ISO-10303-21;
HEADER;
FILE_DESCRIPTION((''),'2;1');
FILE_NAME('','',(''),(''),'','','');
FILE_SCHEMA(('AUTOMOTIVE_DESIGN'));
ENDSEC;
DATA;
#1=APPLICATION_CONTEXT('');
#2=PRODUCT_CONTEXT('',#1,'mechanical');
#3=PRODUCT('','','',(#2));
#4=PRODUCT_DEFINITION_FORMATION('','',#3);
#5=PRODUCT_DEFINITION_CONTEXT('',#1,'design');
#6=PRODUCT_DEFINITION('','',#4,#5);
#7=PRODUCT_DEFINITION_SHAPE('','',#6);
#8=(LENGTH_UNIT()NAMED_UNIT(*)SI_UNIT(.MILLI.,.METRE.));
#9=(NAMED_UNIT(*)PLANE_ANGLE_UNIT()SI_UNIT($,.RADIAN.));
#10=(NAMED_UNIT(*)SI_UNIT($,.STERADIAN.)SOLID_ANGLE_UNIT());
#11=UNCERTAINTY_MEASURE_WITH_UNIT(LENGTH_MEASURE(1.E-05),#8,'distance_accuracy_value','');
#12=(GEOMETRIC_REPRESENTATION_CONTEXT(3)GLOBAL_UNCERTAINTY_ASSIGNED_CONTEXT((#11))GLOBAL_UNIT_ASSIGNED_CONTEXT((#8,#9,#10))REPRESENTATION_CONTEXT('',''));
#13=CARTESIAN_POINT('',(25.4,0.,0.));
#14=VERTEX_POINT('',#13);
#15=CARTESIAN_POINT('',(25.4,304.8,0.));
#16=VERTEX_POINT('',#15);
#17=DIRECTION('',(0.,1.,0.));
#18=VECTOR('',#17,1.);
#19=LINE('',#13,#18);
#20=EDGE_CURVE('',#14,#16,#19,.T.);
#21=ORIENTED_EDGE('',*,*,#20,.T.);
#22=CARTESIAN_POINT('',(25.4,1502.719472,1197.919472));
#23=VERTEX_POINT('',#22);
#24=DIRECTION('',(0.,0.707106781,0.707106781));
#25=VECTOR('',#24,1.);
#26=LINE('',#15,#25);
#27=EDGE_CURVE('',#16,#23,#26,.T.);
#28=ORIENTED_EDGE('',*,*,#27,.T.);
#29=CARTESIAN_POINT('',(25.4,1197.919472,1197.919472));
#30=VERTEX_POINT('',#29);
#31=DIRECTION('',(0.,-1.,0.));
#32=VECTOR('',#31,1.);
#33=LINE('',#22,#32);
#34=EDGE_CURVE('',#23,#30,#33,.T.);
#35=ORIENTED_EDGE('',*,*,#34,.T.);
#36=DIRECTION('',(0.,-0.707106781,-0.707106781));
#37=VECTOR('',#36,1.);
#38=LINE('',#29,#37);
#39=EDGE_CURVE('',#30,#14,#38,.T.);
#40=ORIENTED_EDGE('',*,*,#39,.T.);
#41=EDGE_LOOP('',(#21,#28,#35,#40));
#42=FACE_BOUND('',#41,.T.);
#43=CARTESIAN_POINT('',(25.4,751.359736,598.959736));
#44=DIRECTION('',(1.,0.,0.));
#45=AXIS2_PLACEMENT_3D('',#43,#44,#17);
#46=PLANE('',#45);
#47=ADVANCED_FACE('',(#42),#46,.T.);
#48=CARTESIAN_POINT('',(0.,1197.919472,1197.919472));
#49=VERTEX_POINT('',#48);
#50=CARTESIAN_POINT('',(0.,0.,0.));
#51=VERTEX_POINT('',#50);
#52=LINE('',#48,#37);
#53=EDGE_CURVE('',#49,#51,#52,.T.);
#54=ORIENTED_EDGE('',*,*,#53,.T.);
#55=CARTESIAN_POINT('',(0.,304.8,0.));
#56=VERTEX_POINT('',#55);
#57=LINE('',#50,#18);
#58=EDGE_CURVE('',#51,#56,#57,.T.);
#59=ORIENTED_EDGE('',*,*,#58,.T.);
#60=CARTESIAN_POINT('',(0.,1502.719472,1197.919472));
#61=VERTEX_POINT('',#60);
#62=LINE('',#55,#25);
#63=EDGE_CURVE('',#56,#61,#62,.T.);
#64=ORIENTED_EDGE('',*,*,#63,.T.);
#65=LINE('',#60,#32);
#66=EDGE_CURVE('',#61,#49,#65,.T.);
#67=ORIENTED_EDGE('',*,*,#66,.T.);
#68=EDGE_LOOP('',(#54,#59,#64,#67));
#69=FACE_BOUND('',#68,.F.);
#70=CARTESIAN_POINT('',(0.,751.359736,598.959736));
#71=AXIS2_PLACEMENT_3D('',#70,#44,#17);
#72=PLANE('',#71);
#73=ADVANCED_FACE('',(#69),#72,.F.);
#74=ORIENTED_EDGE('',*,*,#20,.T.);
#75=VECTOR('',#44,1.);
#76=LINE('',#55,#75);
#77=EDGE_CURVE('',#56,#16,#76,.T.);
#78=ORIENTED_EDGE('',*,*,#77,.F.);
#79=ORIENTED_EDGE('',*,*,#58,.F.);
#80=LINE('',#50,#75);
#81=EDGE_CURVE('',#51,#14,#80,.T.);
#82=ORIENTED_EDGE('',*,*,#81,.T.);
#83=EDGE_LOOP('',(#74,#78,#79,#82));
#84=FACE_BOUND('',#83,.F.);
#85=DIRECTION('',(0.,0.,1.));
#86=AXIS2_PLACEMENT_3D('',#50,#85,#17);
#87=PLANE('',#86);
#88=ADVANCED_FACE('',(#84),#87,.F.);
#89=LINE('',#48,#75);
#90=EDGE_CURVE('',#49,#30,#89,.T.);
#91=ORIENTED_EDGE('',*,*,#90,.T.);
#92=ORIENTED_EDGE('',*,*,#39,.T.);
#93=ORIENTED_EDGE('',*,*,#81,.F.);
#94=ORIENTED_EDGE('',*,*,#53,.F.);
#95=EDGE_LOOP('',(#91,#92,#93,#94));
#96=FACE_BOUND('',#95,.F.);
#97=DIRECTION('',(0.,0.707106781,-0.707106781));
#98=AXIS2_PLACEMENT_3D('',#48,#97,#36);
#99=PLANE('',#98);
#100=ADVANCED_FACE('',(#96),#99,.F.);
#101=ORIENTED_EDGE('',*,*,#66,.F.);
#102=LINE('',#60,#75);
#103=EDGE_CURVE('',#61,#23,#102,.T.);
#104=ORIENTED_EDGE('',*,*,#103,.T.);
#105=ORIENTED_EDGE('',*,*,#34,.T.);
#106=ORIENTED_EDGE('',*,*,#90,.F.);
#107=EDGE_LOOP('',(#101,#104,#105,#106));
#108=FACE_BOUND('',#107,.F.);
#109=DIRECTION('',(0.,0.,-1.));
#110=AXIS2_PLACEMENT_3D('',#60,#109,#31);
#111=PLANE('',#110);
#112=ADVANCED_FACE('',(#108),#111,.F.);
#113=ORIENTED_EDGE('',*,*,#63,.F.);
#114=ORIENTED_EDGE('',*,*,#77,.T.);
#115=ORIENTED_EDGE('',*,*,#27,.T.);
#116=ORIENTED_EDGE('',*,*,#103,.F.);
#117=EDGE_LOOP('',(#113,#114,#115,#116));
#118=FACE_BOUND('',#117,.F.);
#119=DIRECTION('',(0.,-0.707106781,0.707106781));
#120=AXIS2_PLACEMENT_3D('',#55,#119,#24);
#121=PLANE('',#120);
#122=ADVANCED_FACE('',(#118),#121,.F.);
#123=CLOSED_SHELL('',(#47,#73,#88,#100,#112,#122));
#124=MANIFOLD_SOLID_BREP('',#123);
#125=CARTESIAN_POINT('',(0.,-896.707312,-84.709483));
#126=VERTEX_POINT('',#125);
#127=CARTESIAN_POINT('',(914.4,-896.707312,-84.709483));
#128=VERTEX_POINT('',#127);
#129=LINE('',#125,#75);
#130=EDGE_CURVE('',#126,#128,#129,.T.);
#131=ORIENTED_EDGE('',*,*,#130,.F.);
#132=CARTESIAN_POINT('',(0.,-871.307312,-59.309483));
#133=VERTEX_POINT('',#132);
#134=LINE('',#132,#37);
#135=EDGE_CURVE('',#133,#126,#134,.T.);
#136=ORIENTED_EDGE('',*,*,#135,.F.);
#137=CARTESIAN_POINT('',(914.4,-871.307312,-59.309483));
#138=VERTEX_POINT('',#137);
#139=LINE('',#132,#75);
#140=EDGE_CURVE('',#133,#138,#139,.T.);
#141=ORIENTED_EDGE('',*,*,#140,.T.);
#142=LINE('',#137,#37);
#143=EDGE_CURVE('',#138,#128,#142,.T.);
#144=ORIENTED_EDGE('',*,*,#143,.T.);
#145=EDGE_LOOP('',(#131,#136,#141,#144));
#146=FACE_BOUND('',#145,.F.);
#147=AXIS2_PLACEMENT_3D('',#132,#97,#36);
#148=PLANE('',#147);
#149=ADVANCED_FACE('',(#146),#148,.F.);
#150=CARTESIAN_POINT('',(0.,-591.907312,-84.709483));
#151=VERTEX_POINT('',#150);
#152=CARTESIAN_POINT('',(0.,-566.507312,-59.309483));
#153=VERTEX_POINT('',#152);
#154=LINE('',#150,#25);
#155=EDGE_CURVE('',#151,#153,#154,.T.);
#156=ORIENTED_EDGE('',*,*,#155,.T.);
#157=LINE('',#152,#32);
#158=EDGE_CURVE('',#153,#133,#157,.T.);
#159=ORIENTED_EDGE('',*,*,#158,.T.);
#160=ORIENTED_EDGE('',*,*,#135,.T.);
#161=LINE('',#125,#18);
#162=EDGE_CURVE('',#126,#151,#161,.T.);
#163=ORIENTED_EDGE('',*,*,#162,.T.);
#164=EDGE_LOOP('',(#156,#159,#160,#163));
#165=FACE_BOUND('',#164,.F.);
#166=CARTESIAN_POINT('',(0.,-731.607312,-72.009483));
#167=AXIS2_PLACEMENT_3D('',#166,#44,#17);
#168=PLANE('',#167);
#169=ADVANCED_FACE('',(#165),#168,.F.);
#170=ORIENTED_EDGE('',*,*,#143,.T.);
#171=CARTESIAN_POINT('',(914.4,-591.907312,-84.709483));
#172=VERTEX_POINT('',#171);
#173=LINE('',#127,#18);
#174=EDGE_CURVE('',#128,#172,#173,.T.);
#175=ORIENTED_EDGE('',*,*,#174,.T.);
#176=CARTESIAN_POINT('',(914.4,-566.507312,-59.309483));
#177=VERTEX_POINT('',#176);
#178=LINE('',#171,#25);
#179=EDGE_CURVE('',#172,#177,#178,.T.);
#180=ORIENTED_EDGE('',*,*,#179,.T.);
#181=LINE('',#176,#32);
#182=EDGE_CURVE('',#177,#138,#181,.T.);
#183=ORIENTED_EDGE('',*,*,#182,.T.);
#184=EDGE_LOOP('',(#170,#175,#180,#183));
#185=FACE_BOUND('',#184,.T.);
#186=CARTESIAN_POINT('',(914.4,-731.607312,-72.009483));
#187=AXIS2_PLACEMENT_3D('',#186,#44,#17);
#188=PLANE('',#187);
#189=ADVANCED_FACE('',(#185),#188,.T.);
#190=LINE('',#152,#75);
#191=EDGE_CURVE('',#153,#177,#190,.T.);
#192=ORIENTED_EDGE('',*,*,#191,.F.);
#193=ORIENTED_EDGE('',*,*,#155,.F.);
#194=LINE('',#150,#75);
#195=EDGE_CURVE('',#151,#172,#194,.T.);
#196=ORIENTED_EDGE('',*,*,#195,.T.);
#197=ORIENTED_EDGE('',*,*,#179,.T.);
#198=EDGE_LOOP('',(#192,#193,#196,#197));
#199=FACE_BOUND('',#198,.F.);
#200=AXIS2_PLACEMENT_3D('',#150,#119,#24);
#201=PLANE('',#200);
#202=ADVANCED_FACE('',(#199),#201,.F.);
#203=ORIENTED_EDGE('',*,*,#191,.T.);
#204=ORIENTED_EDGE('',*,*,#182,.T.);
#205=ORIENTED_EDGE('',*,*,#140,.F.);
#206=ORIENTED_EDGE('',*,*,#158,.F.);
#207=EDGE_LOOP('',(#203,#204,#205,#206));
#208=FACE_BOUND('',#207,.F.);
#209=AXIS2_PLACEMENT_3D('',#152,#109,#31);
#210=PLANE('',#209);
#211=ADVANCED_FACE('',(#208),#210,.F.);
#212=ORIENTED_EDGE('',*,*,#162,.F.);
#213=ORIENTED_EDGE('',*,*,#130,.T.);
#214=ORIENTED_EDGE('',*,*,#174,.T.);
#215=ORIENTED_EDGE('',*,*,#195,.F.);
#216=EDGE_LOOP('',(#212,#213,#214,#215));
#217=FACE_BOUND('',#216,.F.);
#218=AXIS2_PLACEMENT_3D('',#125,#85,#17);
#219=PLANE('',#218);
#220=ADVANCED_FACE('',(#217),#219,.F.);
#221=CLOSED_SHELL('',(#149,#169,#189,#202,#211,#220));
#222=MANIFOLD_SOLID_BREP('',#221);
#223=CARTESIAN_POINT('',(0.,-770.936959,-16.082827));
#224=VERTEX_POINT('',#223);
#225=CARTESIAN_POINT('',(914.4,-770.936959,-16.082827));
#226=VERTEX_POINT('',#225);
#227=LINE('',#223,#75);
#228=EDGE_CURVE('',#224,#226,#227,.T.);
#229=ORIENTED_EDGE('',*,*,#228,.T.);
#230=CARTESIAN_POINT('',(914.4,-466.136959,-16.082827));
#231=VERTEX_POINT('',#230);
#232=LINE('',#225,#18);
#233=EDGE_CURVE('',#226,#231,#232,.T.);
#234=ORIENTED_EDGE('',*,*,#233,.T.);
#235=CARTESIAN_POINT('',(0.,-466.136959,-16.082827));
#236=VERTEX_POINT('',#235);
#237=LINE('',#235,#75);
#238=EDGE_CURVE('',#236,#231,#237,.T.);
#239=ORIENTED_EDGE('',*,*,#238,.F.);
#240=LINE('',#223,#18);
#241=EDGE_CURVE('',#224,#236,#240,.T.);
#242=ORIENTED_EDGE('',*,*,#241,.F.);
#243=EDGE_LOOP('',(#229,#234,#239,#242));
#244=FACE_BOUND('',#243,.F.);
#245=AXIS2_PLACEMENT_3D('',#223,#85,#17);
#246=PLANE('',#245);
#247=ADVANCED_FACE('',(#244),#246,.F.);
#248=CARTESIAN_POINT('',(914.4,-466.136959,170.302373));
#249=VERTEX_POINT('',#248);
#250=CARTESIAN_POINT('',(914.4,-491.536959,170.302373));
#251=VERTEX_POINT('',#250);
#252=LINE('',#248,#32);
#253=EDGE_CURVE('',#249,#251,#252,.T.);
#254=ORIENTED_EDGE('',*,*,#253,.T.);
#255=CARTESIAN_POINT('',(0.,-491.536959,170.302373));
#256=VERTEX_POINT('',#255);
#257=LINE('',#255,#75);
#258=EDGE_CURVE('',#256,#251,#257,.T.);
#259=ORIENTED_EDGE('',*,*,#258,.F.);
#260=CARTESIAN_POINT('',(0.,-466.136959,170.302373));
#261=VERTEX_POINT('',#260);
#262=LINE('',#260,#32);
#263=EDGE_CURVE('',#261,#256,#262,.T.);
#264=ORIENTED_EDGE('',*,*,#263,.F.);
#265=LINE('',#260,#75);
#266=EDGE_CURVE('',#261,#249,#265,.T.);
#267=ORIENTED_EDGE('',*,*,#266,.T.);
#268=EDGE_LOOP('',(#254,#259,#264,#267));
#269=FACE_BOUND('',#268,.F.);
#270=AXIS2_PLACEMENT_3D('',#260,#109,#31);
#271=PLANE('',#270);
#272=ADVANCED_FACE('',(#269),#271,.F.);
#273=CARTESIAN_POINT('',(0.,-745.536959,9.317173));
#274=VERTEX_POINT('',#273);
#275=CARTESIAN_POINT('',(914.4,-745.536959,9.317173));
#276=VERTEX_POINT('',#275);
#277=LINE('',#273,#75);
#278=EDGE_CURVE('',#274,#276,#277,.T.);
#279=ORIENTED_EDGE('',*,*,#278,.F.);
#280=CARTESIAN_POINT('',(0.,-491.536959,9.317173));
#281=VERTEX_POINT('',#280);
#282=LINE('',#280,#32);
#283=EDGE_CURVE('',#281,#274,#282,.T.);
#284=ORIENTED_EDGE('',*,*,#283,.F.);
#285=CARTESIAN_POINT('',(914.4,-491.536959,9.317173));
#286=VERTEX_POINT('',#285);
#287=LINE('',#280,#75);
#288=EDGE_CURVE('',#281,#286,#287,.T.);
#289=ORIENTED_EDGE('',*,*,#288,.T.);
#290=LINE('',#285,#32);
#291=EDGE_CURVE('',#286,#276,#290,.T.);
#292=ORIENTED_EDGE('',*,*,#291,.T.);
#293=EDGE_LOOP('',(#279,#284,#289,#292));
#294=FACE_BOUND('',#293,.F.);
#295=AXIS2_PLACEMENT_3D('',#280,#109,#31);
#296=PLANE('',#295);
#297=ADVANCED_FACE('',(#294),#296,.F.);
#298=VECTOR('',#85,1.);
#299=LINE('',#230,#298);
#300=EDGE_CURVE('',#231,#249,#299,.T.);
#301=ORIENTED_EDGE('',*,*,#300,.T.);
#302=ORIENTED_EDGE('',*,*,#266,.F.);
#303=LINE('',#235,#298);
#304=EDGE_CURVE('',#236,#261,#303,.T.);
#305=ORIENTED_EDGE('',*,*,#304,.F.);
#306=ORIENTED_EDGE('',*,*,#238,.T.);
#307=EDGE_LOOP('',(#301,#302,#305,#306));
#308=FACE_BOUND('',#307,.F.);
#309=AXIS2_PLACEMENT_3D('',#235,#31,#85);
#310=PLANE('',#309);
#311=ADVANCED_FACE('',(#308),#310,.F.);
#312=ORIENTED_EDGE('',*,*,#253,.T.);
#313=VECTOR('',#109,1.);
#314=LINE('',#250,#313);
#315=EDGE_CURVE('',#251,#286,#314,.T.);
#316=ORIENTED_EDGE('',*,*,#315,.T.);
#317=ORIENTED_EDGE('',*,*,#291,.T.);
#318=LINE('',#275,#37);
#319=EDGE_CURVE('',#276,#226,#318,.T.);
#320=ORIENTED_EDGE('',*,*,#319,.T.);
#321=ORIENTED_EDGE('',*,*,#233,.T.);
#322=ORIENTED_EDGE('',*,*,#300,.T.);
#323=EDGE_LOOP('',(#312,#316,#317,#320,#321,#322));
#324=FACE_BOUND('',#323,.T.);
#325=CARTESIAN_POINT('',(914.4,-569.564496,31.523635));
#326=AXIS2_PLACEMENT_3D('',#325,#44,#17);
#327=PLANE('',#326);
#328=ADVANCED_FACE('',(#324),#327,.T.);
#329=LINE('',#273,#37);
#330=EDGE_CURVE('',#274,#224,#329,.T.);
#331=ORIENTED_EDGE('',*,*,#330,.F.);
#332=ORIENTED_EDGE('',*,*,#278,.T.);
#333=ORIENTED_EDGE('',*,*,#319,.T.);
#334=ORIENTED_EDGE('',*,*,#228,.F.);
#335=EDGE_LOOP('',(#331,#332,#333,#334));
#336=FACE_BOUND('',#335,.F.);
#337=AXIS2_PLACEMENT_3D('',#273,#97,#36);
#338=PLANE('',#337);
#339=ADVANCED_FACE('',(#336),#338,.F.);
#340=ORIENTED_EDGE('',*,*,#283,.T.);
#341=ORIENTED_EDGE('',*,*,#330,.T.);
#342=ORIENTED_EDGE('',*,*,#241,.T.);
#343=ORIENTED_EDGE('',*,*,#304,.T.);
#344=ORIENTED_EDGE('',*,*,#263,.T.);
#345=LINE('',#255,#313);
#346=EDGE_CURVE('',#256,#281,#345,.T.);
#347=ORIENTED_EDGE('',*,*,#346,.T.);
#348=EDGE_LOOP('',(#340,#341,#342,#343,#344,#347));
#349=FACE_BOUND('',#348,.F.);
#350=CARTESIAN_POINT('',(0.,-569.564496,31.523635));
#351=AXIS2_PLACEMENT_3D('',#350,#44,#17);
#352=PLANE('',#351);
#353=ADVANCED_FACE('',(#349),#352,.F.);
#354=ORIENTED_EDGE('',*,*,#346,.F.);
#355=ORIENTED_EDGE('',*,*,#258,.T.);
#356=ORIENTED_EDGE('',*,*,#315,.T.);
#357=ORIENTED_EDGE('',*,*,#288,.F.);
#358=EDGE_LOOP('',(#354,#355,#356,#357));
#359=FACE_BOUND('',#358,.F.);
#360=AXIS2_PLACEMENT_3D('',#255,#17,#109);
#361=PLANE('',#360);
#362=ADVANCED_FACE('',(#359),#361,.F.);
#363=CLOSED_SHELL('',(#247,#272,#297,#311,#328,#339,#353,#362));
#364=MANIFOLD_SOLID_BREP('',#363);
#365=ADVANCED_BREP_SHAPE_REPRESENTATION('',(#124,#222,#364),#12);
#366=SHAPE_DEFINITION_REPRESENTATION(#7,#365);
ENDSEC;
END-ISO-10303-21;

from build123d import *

# Parameters (mm, degrees)
F1_DEPTH = 25.4
F3_DEPTH = 914.4
F5_DEPTH = 914.4


with BuildPart() as f1:
    # F0 (on Right) → F1 (new body)
    with BuildSketch(Plane.YZ):
        Polygon((0, 0), (304.8, 0), (1502.719472, 1197.919472), (1197.919472, 1197.919472), align=None)
    extrude(amount=F1_DEPTH)


with BuildPart() as f3:
    # F2 (on Right) → F3 (new body)
    with BuildSketch(Plane.YZ):
        Polygon((-871.307312, -59.309483), (-896.707312, -84.709483), (-591.907312, -84.709483), (-566.507312, -59.309483), align=None)
    extrude(amount=F3_DEPTH)


with BuildPart() as f5:
    # F4 (on Right) → F5 (new body)
    with BuildSketch(Plane.YZ):
        Polygon((-745.536959, 9.317173), (-770.936959, -16.082827), (-466.136959, -16.082827), (-466.136959, 170.302373), (-491.536959, 170.302373), (-491.536959, 9.317173), align=None)
    extrude(amount=F5_DEPTH)


solid = Compound([f1.part, f3.part, f5.part])
